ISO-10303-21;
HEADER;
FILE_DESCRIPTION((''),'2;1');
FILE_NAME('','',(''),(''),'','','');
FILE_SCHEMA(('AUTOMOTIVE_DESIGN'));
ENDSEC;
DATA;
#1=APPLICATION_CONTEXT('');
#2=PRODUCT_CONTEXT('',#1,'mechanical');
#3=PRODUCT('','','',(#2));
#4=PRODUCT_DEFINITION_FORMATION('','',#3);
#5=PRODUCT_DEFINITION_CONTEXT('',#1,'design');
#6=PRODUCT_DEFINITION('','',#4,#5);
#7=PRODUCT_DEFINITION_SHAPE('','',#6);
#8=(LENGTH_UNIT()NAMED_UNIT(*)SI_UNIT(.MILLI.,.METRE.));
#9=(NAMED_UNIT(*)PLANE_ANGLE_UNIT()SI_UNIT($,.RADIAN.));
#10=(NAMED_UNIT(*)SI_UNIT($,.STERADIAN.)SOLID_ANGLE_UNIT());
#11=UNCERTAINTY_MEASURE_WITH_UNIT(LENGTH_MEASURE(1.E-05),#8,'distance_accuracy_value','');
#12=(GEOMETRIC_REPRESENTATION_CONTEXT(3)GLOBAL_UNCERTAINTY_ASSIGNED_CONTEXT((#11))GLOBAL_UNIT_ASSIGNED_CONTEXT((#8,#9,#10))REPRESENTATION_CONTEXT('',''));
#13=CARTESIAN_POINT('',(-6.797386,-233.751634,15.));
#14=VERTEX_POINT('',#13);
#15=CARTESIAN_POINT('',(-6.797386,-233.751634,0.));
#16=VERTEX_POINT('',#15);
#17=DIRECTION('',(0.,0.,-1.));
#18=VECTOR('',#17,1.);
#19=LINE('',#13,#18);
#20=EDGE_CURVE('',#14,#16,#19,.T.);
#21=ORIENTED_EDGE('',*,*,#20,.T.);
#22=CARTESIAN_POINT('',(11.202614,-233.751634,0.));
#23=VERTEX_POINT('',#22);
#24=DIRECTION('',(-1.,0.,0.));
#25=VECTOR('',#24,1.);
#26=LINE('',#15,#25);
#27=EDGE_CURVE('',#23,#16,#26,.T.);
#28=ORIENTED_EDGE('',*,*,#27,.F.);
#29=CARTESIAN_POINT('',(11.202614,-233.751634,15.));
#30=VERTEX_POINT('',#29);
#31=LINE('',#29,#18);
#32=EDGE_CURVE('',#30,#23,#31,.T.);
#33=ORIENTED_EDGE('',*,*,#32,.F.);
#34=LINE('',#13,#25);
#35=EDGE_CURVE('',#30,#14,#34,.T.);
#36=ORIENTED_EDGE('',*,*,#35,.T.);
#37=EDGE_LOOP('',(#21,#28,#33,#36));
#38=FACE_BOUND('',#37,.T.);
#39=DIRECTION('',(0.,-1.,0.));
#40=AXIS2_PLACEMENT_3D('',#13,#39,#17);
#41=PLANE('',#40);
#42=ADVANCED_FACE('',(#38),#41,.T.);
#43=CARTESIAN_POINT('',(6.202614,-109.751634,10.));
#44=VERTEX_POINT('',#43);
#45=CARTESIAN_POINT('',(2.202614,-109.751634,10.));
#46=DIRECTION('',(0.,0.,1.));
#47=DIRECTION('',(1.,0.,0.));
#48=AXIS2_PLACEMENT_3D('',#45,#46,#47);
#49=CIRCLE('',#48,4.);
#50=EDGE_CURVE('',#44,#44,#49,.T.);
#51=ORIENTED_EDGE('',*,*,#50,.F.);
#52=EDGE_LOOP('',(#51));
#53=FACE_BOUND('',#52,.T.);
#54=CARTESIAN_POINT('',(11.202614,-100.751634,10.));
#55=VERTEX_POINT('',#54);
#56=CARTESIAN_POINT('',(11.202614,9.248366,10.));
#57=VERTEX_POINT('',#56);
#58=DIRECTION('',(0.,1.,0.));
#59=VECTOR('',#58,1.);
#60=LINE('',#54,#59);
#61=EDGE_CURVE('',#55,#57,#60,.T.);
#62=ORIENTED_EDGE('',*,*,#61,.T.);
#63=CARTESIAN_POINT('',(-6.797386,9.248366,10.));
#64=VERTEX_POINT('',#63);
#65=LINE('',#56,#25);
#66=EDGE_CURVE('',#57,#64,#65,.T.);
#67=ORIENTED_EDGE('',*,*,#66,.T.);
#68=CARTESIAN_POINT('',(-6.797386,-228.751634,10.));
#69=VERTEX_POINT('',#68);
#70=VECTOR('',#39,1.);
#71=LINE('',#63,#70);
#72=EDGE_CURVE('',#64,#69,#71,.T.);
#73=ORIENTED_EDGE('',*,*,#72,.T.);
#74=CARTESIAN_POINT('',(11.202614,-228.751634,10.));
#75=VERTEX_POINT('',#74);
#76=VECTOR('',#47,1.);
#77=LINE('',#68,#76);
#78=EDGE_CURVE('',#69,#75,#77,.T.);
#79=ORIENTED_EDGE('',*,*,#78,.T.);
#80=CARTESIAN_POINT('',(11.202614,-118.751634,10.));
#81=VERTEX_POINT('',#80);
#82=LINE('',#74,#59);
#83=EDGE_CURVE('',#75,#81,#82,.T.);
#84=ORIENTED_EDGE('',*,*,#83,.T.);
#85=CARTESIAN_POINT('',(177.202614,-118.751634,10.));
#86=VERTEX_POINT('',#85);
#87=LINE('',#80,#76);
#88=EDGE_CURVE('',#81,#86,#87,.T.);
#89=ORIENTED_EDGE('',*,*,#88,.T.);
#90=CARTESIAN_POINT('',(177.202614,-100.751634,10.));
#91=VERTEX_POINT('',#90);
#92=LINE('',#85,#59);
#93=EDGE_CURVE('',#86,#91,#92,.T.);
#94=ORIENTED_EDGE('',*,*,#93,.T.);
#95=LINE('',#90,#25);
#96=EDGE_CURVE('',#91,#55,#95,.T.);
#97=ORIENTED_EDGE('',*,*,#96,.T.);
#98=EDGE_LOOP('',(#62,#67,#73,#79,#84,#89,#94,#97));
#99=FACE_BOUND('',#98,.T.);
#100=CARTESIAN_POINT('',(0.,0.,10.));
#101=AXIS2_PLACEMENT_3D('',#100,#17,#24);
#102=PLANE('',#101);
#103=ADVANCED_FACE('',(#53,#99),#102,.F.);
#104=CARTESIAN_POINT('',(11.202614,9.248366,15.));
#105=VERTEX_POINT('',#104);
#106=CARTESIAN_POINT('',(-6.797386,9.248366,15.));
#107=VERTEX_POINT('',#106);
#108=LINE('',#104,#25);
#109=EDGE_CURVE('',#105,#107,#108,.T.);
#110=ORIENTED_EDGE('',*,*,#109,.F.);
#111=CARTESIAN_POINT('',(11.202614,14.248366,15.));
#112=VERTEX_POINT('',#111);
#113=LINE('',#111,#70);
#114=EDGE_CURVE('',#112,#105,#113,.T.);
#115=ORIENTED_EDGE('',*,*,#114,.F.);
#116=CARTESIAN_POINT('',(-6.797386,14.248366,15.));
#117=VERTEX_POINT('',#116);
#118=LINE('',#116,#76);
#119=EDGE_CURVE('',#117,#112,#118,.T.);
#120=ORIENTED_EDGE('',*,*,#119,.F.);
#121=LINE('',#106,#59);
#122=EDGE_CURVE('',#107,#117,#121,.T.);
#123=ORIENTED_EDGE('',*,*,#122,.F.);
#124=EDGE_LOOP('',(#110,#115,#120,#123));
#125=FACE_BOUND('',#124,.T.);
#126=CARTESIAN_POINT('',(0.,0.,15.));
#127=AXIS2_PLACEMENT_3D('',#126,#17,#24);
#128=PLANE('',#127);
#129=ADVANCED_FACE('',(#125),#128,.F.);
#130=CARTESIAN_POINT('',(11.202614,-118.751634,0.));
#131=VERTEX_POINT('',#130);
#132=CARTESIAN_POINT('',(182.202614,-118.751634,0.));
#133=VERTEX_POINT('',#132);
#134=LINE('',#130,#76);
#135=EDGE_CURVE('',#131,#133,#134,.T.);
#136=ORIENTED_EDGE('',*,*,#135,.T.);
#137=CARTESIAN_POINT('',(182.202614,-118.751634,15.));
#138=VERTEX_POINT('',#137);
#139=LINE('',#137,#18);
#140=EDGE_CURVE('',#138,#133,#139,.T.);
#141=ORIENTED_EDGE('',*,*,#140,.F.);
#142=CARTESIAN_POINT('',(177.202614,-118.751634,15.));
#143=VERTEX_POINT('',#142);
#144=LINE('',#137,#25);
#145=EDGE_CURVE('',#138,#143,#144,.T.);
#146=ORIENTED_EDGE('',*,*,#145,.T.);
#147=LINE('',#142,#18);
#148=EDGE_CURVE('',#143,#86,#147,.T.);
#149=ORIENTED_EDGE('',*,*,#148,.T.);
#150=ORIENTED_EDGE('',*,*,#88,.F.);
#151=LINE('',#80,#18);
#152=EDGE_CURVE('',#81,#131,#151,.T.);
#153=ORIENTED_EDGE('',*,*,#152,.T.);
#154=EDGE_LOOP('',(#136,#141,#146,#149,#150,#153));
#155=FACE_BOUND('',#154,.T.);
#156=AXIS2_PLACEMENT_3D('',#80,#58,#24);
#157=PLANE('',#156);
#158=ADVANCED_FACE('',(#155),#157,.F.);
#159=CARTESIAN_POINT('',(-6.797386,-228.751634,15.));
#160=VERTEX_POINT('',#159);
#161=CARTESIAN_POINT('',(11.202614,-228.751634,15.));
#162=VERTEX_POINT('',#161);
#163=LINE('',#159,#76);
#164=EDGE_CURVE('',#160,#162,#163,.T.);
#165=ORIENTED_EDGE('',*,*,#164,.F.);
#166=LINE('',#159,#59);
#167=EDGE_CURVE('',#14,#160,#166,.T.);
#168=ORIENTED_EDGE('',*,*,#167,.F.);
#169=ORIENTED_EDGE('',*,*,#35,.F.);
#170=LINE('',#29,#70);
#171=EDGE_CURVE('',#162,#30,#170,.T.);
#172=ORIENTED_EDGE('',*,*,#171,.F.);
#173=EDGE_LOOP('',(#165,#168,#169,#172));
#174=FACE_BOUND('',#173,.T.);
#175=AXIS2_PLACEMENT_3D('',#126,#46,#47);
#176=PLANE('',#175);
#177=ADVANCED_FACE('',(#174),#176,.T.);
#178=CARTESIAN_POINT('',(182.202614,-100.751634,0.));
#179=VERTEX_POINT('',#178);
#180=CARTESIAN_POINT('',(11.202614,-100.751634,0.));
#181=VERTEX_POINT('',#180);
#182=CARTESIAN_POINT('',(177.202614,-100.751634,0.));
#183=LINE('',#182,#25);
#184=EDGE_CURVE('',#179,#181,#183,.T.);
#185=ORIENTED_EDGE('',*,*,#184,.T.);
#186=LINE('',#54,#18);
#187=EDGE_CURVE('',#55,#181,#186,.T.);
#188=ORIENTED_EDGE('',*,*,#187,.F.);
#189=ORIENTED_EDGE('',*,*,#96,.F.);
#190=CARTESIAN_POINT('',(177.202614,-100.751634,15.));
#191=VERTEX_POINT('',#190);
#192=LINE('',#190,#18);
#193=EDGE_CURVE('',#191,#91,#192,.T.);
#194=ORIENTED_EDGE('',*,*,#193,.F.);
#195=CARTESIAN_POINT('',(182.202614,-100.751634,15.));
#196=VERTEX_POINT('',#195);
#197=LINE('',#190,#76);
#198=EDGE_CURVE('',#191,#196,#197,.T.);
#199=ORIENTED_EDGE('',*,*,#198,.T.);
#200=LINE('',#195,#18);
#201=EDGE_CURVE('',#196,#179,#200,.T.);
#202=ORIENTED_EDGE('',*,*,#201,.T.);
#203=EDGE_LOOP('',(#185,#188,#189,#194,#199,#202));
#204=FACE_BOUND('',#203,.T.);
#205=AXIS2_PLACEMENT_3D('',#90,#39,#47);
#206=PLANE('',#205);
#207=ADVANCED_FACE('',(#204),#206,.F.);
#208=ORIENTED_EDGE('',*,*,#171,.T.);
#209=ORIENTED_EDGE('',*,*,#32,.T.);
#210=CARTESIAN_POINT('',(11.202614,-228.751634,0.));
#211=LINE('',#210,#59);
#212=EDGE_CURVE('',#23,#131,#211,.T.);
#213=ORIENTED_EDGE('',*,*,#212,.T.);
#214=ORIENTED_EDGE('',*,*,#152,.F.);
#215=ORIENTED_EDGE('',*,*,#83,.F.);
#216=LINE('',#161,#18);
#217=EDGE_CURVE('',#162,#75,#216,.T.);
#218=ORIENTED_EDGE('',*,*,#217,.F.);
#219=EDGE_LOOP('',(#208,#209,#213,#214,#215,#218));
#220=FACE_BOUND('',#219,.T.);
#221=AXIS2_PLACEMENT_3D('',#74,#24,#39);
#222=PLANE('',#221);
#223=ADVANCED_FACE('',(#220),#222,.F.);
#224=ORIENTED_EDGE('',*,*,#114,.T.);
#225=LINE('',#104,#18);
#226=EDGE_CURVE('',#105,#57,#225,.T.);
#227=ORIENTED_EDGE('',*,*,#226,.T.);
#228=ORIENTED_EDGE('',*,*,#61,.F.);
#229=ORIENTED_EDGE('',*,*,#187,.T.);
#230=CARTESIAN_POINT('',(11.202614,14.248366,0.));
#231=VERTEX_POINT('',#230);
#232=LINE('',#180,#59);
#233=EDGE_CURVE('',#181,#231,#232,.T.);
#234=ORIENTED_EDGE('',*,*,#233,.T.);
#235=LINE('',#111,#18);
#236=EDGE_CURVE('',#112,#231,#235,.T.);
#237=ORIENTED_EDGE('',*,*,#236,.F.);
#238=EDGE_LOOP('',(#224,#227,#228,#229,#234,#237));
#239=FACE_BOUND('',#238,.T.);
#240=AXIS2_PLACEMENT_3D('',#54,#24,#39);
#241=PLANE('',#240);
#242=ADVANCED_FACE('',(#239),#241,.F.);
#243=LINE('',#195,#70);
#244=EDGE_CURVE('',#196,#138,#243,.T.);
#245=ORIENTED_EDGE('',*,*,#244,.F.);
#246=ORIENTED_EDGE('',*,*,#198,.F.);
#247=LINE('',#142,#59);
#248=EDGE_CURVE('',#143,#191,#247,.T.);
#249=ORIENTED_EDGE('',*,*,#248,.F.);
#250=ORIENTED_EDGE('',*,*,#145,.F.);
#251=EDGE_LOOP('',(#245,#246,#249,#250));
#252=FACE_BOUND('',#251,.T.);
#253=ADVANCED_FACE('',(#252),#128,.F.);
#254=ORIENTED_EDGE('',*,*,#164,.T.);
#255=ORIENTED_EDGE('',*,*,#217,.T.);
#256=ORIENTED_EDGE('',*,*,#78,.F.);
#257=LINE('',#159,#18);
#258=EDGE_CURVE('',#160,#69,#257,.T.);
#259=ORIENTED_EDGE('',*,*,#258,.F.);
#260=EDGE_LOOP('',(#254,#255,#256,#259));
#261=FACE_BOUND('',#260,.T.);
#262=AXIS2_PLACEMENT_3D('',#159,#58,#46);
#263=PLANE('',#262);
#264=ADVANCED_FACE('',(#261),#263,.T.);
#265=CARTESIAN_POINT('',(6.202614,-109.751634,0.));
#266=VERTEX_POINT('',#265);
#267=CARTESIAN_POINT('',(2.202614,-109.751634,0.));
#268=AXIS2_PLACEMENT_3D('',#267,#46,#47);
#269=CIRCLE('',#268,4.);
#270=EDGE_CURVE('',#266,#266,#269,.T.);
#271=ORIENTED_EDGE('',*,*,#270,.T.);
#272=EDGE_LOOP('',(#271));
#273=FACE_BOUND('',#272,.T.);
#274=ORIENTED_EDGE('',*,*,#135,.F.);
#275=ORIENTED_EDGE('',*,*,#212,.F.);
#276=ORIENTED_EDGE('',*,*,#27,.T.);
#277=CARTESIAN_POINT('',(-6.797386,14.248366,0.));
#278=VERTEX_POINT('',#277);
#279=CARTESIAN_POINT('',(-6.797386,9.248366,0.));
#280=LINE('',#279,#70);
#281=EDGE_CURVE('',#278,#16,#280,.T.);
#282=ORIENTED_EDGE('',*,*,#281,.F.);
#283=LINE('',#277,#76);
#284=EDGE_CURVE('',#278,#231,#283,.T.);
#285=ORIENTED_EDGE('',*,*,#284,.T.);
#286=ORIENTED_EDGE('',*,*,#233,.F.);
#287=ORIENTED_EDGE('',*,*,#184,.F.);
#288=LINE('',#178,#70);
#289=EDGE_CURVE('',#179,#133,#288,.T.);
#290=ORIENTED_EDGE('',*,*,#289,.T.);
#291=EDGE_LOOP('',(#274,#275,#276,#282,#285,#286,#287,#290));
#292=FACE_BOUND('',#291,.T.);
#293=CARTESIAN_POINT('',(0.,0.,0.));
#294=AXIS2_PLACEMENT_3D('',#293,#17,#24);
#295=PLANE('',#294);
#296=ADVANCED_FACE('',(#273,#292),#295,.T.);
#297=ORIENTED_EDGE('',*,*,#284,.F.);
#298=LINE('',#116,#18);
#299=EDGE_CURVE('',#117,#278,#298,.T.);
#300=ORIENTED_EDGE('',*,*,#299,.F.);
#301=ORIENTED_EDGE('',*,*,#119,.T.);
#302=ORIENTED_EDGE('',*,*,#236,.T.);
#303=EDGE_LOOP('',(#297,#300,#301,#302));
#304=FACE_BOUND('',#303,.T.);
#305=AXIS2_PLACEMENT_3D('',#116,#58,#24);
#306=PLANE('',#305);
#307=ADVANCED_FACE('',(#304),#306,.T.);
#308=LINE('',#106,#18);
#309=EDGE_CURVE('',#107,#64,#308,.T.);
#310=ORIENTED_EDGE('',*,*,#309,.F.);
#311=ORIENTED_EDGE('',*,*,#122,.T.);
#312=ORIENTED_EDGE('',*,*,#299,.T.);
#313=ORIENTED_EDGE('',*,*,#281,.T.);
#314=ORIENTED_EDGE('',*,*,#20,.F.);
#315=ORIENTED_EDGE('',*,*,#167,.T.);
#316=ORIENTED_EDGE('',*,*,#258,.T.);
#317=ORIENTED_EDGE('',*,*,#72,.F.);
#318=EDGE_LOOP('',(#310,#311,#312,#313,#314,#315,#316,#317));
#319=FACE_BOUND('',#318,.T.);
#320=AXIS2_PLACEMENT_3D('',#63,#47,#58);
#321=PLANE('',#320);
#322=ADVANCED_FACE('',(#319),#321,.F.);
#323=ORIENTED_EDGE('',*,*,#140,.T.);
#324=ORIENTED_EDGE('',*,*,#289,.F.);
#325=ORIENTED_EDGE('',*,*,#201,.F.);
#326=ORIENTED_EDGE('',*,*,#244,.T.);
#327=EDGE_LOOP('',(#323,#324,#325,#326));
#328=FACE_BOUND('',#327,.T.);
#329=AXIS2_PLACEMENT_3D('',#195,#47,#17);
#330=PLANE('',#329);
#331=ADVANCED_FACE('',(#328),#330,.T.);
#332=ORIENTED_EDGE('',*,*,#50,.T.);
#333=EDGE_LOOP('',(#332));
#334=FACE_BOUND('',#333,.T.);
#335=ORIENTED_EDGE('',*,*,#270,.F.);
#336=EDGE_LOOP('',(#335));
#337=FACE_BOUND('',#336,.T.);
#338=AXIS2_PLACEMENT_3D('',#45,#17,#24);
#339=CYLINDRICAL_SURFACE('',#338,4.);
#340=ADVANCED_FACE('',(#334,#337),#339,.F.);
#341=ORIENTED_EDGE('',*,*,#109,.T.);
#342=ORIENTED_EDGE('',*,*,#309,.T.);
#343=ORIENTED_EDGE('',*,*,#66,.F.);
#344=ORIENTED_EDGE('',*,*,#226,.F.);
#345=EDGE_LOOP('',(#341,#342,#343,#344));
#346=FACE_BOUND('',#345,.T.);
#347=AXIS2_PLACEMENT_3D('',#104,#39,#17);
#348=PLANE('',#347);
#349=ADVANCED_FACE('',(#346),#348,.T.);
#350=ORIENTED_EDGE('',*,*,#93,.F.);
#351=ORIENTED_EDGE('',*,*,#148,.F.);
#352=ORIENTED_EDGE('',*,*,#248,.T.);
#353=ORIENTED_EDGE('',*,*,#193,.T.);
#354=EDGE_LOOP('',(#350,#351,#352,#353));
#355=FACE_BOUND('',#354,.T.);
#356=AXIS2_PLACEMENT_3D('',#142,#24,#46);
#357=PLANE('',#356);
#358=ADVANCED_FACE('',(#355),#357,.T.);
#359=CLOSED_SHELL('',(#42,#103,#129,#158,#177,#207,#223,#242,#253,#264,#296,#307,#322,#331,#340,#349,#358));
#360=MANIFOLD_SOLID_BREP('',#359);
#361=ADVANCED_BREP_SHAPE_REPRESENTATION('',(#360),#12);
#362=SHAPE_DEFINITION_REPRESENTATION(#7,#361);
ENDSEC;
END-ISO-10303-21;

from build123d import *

# Parameters (mm, degrees)
SKETCH1_R           = 4
BOSS_EXTRUDE1_DEPTH = 10
SKETCH2_W           = 18
SKETCH2_H           = 5
SKETCH2_W_2         = 5
SKETCH2_H_2         = 18
BOSS_EXTRUDE2_DEPTH = 15


with BuildPart() as part:
    # Sketch1 → Boss-Extrude1 (new body)
    with BuildSketch(Plane.XY):
        Polygon((11.202614379, -118.751633987), (177.202614379, -118.751633987), (177.202614379, -100.751633987), (11.202614379, -100.751633987), (11.202614379, 9.248366013), (-6.797385621, 9.248366013), (-6.797385621, -228.751633987), (11.202614379, -228.751633987), align=None)
        with Locations((2.202614379, -109.751633987)):
            Circle(SKETCH1_R, mode=Mode.SUBTRACT)
    extrude(amount=BOSS_EXTRUDE1_DEPTH)

    # Sketch2 → Boss-Extrude2 (add)
    with BuildSketch(Plane(origin=(0, 0, 0), x_dir=(-1, 0, 0), z_dir=(0, 0, -1))):
        with Locations((-2.202614379, -231.251633987)):
            Rectangle(SKETCH2_W, SKETCH2_H)
        with Locations((-179.702614379, -109.751633987)):
            Rectangle(SKETCH2_W_2, SKETCH2_H_2)
        with Locations((-2.202614379, 11.748366013)):
            Rectangle(SKETCH2_W, SKETCH2_H)
    extrude(amount=-BOSS_EXTRUDE2_DEPTH)


solid = part.part
